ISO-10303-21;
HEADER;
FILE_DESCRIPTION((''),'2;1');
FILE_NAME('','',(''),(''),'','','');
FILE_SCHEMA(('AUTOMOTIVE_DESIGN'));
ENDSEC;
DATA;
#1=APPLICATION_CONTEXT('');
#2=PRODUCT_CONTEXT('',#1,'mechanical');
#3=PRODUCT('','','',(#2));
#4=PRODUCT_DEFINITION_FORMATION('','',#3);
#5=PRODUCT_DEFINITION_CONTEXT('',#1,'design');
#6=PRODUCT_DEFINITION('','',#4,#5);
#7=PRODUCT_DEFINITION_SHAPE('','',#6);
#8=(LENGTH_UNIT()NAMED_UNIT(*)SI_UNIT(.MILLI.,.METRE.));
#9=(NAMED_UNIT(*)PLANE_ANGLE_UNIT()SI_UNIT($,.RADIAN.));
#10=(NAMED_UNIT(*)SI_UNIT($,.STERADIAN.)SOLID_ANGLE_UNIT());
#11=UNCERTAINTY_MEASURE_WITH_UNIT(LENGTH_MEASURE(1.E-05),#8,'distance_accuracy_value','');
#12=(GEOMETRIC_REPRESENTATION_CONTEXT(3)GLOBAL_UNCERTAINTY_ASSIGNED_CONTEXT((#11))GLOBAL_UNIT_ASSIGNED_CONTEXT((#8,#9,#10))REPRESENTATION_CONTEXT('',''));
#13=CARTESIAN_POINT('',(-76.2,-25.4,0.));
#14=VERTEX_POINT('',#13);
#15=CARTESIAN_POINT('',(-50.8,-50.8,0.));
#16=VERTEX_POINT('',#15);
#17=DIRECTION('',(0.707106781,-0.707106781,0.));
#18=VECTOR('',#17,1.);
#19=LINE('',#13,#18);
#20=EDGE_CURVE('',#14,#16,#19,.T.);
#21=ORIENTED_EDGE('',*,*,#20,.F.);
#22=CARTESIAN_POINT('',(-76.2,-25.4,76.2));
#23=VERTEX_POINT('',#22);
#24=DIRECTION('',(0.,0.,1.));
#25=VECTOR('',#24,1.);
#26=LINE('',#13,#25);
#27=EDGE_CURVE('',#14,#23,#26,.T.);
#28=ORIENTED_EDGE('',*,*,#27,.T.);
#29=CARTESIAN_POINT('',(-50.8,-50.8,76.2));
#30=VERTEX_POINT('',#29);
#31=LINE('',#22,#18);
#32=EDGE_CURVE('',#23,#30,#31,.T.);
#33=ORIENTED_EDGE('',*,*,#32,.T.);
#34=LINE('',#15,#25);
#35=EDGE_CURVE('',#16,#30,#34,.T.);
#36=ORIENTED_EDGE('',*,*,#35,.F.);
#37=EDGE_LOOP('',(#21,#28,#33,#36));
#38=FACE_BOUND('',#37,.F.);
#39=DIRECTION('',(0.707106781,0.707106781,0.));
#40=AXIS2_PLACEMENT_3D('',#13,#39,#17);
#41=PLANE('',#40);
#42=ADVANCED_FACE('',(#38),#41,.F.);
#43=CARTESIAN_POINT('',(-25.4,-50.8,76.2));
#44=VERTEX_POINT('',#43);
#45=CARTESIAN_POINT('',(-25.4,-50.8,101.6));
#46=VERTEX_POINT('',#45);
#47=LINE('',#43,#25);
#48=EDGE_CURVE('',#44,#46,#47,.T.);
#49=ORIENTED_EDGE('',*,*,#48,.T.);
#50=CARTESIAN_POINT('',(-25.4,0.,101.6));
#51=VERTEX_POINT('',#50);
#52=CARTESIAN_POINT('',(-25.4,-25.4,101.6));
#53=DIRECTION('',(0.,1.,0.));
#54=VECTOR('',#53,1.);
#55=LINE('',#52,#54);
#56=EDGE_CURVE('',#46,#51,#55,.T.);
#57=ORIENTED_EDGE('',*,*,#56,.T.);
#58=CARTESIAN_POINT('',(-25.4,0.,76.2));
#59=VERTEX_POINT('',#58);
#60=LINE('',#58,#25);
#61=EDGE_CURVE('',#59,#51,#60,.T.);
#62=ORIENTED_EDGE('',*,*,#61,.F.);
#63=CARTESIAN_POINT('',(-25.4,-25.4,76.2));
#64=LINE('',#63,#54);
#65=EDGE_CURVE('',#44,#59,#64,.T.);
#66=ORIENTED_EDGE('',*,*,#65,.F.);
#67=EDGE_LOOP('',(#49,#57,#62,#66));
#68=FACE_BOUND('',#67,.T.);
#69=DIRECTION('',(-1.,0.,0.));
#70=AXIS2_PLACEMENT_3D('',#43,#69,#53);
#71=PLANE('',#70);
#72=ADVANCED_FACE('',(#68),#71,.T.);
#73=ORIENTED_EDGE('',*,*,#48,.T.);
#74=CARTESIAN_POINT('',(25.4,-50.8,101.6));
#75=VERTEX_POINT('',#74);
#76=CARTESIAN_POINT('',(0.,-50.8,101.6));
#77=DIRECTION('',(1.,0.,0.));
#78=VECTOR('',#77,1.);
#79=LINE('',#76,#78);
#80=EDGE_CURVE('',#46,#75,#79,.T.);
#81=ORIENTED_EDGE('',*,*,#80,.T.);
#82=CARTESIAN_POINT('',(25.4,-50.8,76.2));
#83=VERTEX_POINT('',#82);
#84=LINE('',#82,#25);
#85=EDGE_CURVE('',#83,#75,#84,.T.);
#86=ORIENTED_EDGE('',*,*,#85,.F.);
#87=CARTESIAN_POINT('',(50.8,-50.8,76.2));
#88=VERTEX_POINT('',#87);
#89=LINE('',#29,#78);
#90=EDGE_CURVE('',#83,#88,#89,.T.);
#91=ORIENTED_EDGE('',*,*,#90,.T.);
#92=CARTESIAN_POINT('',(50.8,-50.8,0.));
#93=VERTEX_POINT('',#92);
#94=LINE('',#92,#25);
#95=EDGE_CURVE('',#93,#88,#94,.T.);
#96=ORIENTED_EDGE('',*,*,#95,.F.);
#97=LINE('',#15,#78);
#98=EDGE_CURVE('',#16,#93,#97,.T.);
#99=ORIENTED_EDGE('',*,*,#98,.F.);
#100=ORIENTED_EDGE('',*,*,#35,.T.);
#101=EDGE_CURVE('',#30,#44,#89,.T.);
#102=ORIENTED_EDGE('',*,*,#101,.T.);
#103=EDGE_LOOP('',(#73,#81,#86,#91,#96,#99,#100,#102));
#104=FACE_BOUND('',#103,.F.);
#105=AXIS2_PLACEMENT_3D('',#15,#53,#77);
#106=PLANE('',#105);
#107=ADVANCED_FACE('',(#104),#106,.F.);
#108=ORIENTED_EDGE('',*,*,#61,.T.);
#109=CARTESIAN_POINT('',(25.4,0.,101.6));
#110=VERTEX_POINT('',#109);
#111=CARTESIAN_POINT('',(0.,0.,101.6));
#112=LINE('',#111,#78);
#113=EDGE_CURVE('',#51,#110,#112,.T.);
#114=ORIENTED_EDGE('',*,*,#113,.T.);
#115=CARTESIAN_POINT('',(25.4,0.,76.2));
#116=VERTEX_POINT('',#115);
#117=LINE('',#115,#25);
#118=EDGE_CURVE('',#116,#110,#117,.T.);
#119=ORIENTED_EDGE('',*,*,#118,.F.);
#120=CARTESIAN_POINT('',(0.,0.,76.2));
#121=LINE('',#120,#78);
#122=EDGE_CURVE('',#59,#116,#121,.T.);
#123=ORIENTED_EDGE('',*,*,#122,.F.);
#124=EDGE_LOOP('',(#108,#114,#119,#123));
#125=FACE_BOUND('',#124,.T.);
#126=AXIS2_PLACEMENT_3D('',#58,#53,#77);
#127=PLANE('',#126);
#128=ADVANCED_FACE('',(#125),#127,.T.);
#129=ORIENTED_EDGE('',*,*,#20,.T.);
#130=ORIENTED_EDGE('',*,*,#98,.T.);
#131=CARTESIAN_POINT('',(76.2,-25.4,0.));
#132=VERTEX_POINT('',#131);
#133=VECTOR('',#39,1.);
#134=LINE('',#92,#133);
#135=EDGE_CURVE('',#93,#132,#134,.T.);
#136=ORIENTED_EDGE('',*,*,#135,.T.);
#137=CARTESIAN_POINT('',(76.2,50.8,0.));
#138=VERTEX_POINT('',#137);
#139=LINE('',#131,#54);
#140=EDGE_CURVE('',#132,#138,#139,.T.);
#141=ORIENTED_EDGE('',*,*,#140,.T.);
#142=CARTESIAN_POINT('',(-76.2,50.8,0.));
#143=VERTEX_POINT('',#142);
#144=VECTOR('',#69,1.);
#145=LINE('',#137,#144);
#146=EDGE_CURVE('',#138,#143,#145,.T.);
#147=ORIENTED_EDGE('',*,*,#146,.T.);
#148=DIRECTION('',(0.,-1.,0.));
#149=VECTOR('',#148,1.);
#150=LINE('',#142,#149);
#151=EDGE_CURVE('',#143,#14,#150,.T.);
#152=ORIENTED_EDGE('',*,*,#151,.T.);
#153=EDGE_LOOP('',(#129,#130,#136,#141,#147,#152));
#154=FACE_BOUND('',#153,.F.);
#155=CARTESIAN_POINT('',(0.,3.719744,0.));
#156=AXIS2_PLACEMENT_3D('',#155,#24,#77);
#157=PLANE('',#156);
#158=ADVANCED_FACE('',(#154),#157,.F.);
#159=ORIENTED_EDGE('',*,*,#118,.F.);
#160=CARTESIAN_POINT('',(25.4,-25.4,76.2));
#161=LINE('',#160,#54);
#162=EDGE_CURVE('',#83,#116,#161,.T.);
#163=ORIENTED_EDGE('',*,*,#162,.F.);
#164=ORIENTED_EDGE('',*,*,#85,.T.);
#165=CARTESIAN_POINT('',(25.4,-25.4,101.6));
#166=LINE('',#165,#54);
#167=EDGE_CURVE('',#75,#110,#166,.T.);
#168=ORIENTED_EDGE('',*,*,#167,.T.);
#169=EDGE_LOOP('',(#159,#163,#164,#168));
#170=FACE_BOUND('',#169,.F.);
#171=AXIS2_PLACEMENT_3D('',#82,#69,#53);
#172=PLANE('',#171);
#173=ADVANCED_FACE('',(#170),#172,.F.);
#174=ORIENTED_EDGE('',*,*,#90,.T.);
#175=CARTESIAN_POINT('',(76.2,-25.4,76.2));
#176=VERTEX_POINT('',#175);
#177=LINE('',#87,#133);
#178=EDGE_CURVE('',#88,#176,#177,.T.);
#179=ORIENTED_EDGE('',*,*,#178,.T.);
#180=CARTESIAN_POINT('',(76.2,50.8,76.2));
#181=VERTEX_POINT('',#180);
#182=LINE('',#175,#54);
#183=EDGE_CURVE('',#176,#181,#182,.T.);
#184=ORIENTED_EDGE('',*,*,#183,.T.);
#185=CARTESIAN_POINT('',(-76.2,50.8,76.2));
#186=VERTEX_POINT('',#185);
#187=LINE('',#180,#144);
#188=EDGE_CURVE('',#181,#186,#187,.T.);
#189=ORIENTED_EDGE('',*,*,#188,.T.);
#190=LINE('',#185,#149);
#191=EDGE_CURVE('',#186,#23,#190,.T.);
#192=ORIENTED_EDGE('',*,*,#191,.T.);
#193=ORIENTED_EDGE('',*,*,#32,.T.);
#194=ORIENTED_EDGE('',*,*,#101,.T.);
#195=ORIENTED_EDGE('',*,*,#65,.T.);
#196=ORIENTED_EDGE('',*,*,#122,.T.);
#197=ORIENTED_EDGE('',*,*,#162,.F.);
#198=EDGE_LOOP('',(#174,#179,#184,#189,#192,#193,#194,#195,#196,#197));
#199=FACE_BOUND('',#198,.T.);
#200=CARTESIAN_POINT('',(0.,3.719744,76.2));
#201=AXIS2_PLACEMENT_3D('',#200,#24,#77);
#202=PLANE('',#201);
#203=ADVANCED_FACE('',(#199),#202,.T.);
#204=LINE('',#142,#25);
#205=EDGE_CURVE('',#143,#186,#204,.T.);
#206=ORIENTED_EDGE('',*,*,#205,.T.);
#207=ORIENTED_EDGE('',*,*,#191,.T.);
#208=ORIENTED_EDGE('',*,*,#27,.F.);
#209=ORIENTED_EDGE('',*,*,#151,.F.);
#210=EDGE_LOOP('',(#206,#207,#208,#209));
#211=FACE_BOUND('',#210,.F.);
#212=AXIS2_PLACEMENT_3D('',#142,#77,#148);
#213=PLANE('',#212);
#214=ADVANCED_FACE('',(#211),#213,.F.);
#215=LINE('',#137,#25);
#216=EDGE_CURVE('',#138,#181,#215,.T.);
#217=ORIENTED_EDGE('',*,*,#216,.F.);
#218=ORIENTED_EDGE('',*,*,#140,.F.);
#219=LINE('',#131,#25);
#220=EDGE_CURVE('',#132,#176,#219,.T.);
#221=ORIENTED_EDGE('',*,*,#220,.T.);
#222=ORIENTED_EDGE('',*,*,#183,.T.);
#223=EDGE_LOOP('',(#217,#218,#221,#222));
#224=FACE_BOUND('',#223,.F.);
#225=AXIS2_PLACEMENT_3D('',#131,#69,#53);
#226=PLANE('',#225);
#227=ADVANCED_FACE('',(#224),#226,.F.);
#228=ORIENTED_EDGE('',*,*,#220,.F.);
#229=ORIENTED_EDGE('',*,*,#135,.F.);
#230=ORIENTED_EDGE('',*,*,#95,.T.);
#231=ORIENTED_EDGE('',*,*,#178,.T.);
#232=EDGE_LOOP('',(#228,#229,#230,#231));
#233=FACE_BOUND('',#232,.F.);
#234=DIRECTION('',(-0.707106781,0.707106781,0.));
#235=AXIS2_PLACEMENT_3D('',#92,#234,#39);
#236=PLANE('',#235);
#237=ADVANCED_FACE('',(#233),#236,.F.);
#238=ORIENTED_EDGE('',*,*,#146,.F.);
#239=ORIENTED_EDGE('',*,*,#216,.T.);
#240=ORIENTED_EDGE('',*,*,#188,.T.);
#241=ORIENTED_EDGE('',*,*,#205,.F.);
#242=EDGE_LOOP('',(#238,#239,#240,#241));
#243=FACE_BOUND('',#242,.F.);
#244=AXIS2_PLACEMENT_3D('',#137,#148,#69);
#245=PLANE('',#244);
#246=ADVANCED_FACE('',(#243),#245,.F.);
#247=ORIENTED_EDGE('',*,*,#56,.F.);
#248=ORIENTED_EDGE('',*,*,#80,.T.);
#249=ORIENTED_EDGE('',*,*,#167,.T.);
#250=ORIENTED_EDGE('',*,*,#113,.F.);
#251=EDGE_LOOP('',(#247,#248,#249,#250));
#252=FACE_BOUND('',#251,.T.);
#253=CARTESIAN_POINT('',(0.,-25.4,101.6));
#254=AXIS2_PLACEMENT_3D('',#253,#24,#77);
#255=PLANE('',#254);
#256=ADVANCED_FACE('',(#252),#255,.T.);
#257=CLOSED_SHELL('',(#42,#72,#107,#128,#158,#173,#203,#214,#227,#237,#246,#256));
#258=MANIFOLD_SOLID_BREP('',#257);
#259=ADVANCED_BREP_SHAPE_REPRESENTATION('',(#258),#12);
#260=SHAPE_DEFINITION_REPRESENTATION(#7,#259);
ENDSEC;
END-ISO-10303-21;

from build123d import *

# Parameters (mm, degrees)
F1_DEPTH = 76.2
F3_W     = 50.8
F3_H     = 50.8
F4_DEPTH = 25.4


with BuildPart() as f1:
    # F0 (on Top) → F1 (new body)
    with BuildSketch(Plane.XY):
        Polygon((76.2, 50.8), (-76.2, 50.8), (-76.2, -25.4), (-50.8, -50.8), (50.8, -50.8), (76.2, -25.4), align=None)
    extrude(amount=F1_DEPTH)

    # F3 (on offset) → F4 (join)
    with BuildSketch(Plane.XY.offset(76.2)):
        with Locations((0, -25.4)):
            Rectangle(F3_W, F3_H)
    extrude(amount=F4_DEPTH)


solid = f1.part
